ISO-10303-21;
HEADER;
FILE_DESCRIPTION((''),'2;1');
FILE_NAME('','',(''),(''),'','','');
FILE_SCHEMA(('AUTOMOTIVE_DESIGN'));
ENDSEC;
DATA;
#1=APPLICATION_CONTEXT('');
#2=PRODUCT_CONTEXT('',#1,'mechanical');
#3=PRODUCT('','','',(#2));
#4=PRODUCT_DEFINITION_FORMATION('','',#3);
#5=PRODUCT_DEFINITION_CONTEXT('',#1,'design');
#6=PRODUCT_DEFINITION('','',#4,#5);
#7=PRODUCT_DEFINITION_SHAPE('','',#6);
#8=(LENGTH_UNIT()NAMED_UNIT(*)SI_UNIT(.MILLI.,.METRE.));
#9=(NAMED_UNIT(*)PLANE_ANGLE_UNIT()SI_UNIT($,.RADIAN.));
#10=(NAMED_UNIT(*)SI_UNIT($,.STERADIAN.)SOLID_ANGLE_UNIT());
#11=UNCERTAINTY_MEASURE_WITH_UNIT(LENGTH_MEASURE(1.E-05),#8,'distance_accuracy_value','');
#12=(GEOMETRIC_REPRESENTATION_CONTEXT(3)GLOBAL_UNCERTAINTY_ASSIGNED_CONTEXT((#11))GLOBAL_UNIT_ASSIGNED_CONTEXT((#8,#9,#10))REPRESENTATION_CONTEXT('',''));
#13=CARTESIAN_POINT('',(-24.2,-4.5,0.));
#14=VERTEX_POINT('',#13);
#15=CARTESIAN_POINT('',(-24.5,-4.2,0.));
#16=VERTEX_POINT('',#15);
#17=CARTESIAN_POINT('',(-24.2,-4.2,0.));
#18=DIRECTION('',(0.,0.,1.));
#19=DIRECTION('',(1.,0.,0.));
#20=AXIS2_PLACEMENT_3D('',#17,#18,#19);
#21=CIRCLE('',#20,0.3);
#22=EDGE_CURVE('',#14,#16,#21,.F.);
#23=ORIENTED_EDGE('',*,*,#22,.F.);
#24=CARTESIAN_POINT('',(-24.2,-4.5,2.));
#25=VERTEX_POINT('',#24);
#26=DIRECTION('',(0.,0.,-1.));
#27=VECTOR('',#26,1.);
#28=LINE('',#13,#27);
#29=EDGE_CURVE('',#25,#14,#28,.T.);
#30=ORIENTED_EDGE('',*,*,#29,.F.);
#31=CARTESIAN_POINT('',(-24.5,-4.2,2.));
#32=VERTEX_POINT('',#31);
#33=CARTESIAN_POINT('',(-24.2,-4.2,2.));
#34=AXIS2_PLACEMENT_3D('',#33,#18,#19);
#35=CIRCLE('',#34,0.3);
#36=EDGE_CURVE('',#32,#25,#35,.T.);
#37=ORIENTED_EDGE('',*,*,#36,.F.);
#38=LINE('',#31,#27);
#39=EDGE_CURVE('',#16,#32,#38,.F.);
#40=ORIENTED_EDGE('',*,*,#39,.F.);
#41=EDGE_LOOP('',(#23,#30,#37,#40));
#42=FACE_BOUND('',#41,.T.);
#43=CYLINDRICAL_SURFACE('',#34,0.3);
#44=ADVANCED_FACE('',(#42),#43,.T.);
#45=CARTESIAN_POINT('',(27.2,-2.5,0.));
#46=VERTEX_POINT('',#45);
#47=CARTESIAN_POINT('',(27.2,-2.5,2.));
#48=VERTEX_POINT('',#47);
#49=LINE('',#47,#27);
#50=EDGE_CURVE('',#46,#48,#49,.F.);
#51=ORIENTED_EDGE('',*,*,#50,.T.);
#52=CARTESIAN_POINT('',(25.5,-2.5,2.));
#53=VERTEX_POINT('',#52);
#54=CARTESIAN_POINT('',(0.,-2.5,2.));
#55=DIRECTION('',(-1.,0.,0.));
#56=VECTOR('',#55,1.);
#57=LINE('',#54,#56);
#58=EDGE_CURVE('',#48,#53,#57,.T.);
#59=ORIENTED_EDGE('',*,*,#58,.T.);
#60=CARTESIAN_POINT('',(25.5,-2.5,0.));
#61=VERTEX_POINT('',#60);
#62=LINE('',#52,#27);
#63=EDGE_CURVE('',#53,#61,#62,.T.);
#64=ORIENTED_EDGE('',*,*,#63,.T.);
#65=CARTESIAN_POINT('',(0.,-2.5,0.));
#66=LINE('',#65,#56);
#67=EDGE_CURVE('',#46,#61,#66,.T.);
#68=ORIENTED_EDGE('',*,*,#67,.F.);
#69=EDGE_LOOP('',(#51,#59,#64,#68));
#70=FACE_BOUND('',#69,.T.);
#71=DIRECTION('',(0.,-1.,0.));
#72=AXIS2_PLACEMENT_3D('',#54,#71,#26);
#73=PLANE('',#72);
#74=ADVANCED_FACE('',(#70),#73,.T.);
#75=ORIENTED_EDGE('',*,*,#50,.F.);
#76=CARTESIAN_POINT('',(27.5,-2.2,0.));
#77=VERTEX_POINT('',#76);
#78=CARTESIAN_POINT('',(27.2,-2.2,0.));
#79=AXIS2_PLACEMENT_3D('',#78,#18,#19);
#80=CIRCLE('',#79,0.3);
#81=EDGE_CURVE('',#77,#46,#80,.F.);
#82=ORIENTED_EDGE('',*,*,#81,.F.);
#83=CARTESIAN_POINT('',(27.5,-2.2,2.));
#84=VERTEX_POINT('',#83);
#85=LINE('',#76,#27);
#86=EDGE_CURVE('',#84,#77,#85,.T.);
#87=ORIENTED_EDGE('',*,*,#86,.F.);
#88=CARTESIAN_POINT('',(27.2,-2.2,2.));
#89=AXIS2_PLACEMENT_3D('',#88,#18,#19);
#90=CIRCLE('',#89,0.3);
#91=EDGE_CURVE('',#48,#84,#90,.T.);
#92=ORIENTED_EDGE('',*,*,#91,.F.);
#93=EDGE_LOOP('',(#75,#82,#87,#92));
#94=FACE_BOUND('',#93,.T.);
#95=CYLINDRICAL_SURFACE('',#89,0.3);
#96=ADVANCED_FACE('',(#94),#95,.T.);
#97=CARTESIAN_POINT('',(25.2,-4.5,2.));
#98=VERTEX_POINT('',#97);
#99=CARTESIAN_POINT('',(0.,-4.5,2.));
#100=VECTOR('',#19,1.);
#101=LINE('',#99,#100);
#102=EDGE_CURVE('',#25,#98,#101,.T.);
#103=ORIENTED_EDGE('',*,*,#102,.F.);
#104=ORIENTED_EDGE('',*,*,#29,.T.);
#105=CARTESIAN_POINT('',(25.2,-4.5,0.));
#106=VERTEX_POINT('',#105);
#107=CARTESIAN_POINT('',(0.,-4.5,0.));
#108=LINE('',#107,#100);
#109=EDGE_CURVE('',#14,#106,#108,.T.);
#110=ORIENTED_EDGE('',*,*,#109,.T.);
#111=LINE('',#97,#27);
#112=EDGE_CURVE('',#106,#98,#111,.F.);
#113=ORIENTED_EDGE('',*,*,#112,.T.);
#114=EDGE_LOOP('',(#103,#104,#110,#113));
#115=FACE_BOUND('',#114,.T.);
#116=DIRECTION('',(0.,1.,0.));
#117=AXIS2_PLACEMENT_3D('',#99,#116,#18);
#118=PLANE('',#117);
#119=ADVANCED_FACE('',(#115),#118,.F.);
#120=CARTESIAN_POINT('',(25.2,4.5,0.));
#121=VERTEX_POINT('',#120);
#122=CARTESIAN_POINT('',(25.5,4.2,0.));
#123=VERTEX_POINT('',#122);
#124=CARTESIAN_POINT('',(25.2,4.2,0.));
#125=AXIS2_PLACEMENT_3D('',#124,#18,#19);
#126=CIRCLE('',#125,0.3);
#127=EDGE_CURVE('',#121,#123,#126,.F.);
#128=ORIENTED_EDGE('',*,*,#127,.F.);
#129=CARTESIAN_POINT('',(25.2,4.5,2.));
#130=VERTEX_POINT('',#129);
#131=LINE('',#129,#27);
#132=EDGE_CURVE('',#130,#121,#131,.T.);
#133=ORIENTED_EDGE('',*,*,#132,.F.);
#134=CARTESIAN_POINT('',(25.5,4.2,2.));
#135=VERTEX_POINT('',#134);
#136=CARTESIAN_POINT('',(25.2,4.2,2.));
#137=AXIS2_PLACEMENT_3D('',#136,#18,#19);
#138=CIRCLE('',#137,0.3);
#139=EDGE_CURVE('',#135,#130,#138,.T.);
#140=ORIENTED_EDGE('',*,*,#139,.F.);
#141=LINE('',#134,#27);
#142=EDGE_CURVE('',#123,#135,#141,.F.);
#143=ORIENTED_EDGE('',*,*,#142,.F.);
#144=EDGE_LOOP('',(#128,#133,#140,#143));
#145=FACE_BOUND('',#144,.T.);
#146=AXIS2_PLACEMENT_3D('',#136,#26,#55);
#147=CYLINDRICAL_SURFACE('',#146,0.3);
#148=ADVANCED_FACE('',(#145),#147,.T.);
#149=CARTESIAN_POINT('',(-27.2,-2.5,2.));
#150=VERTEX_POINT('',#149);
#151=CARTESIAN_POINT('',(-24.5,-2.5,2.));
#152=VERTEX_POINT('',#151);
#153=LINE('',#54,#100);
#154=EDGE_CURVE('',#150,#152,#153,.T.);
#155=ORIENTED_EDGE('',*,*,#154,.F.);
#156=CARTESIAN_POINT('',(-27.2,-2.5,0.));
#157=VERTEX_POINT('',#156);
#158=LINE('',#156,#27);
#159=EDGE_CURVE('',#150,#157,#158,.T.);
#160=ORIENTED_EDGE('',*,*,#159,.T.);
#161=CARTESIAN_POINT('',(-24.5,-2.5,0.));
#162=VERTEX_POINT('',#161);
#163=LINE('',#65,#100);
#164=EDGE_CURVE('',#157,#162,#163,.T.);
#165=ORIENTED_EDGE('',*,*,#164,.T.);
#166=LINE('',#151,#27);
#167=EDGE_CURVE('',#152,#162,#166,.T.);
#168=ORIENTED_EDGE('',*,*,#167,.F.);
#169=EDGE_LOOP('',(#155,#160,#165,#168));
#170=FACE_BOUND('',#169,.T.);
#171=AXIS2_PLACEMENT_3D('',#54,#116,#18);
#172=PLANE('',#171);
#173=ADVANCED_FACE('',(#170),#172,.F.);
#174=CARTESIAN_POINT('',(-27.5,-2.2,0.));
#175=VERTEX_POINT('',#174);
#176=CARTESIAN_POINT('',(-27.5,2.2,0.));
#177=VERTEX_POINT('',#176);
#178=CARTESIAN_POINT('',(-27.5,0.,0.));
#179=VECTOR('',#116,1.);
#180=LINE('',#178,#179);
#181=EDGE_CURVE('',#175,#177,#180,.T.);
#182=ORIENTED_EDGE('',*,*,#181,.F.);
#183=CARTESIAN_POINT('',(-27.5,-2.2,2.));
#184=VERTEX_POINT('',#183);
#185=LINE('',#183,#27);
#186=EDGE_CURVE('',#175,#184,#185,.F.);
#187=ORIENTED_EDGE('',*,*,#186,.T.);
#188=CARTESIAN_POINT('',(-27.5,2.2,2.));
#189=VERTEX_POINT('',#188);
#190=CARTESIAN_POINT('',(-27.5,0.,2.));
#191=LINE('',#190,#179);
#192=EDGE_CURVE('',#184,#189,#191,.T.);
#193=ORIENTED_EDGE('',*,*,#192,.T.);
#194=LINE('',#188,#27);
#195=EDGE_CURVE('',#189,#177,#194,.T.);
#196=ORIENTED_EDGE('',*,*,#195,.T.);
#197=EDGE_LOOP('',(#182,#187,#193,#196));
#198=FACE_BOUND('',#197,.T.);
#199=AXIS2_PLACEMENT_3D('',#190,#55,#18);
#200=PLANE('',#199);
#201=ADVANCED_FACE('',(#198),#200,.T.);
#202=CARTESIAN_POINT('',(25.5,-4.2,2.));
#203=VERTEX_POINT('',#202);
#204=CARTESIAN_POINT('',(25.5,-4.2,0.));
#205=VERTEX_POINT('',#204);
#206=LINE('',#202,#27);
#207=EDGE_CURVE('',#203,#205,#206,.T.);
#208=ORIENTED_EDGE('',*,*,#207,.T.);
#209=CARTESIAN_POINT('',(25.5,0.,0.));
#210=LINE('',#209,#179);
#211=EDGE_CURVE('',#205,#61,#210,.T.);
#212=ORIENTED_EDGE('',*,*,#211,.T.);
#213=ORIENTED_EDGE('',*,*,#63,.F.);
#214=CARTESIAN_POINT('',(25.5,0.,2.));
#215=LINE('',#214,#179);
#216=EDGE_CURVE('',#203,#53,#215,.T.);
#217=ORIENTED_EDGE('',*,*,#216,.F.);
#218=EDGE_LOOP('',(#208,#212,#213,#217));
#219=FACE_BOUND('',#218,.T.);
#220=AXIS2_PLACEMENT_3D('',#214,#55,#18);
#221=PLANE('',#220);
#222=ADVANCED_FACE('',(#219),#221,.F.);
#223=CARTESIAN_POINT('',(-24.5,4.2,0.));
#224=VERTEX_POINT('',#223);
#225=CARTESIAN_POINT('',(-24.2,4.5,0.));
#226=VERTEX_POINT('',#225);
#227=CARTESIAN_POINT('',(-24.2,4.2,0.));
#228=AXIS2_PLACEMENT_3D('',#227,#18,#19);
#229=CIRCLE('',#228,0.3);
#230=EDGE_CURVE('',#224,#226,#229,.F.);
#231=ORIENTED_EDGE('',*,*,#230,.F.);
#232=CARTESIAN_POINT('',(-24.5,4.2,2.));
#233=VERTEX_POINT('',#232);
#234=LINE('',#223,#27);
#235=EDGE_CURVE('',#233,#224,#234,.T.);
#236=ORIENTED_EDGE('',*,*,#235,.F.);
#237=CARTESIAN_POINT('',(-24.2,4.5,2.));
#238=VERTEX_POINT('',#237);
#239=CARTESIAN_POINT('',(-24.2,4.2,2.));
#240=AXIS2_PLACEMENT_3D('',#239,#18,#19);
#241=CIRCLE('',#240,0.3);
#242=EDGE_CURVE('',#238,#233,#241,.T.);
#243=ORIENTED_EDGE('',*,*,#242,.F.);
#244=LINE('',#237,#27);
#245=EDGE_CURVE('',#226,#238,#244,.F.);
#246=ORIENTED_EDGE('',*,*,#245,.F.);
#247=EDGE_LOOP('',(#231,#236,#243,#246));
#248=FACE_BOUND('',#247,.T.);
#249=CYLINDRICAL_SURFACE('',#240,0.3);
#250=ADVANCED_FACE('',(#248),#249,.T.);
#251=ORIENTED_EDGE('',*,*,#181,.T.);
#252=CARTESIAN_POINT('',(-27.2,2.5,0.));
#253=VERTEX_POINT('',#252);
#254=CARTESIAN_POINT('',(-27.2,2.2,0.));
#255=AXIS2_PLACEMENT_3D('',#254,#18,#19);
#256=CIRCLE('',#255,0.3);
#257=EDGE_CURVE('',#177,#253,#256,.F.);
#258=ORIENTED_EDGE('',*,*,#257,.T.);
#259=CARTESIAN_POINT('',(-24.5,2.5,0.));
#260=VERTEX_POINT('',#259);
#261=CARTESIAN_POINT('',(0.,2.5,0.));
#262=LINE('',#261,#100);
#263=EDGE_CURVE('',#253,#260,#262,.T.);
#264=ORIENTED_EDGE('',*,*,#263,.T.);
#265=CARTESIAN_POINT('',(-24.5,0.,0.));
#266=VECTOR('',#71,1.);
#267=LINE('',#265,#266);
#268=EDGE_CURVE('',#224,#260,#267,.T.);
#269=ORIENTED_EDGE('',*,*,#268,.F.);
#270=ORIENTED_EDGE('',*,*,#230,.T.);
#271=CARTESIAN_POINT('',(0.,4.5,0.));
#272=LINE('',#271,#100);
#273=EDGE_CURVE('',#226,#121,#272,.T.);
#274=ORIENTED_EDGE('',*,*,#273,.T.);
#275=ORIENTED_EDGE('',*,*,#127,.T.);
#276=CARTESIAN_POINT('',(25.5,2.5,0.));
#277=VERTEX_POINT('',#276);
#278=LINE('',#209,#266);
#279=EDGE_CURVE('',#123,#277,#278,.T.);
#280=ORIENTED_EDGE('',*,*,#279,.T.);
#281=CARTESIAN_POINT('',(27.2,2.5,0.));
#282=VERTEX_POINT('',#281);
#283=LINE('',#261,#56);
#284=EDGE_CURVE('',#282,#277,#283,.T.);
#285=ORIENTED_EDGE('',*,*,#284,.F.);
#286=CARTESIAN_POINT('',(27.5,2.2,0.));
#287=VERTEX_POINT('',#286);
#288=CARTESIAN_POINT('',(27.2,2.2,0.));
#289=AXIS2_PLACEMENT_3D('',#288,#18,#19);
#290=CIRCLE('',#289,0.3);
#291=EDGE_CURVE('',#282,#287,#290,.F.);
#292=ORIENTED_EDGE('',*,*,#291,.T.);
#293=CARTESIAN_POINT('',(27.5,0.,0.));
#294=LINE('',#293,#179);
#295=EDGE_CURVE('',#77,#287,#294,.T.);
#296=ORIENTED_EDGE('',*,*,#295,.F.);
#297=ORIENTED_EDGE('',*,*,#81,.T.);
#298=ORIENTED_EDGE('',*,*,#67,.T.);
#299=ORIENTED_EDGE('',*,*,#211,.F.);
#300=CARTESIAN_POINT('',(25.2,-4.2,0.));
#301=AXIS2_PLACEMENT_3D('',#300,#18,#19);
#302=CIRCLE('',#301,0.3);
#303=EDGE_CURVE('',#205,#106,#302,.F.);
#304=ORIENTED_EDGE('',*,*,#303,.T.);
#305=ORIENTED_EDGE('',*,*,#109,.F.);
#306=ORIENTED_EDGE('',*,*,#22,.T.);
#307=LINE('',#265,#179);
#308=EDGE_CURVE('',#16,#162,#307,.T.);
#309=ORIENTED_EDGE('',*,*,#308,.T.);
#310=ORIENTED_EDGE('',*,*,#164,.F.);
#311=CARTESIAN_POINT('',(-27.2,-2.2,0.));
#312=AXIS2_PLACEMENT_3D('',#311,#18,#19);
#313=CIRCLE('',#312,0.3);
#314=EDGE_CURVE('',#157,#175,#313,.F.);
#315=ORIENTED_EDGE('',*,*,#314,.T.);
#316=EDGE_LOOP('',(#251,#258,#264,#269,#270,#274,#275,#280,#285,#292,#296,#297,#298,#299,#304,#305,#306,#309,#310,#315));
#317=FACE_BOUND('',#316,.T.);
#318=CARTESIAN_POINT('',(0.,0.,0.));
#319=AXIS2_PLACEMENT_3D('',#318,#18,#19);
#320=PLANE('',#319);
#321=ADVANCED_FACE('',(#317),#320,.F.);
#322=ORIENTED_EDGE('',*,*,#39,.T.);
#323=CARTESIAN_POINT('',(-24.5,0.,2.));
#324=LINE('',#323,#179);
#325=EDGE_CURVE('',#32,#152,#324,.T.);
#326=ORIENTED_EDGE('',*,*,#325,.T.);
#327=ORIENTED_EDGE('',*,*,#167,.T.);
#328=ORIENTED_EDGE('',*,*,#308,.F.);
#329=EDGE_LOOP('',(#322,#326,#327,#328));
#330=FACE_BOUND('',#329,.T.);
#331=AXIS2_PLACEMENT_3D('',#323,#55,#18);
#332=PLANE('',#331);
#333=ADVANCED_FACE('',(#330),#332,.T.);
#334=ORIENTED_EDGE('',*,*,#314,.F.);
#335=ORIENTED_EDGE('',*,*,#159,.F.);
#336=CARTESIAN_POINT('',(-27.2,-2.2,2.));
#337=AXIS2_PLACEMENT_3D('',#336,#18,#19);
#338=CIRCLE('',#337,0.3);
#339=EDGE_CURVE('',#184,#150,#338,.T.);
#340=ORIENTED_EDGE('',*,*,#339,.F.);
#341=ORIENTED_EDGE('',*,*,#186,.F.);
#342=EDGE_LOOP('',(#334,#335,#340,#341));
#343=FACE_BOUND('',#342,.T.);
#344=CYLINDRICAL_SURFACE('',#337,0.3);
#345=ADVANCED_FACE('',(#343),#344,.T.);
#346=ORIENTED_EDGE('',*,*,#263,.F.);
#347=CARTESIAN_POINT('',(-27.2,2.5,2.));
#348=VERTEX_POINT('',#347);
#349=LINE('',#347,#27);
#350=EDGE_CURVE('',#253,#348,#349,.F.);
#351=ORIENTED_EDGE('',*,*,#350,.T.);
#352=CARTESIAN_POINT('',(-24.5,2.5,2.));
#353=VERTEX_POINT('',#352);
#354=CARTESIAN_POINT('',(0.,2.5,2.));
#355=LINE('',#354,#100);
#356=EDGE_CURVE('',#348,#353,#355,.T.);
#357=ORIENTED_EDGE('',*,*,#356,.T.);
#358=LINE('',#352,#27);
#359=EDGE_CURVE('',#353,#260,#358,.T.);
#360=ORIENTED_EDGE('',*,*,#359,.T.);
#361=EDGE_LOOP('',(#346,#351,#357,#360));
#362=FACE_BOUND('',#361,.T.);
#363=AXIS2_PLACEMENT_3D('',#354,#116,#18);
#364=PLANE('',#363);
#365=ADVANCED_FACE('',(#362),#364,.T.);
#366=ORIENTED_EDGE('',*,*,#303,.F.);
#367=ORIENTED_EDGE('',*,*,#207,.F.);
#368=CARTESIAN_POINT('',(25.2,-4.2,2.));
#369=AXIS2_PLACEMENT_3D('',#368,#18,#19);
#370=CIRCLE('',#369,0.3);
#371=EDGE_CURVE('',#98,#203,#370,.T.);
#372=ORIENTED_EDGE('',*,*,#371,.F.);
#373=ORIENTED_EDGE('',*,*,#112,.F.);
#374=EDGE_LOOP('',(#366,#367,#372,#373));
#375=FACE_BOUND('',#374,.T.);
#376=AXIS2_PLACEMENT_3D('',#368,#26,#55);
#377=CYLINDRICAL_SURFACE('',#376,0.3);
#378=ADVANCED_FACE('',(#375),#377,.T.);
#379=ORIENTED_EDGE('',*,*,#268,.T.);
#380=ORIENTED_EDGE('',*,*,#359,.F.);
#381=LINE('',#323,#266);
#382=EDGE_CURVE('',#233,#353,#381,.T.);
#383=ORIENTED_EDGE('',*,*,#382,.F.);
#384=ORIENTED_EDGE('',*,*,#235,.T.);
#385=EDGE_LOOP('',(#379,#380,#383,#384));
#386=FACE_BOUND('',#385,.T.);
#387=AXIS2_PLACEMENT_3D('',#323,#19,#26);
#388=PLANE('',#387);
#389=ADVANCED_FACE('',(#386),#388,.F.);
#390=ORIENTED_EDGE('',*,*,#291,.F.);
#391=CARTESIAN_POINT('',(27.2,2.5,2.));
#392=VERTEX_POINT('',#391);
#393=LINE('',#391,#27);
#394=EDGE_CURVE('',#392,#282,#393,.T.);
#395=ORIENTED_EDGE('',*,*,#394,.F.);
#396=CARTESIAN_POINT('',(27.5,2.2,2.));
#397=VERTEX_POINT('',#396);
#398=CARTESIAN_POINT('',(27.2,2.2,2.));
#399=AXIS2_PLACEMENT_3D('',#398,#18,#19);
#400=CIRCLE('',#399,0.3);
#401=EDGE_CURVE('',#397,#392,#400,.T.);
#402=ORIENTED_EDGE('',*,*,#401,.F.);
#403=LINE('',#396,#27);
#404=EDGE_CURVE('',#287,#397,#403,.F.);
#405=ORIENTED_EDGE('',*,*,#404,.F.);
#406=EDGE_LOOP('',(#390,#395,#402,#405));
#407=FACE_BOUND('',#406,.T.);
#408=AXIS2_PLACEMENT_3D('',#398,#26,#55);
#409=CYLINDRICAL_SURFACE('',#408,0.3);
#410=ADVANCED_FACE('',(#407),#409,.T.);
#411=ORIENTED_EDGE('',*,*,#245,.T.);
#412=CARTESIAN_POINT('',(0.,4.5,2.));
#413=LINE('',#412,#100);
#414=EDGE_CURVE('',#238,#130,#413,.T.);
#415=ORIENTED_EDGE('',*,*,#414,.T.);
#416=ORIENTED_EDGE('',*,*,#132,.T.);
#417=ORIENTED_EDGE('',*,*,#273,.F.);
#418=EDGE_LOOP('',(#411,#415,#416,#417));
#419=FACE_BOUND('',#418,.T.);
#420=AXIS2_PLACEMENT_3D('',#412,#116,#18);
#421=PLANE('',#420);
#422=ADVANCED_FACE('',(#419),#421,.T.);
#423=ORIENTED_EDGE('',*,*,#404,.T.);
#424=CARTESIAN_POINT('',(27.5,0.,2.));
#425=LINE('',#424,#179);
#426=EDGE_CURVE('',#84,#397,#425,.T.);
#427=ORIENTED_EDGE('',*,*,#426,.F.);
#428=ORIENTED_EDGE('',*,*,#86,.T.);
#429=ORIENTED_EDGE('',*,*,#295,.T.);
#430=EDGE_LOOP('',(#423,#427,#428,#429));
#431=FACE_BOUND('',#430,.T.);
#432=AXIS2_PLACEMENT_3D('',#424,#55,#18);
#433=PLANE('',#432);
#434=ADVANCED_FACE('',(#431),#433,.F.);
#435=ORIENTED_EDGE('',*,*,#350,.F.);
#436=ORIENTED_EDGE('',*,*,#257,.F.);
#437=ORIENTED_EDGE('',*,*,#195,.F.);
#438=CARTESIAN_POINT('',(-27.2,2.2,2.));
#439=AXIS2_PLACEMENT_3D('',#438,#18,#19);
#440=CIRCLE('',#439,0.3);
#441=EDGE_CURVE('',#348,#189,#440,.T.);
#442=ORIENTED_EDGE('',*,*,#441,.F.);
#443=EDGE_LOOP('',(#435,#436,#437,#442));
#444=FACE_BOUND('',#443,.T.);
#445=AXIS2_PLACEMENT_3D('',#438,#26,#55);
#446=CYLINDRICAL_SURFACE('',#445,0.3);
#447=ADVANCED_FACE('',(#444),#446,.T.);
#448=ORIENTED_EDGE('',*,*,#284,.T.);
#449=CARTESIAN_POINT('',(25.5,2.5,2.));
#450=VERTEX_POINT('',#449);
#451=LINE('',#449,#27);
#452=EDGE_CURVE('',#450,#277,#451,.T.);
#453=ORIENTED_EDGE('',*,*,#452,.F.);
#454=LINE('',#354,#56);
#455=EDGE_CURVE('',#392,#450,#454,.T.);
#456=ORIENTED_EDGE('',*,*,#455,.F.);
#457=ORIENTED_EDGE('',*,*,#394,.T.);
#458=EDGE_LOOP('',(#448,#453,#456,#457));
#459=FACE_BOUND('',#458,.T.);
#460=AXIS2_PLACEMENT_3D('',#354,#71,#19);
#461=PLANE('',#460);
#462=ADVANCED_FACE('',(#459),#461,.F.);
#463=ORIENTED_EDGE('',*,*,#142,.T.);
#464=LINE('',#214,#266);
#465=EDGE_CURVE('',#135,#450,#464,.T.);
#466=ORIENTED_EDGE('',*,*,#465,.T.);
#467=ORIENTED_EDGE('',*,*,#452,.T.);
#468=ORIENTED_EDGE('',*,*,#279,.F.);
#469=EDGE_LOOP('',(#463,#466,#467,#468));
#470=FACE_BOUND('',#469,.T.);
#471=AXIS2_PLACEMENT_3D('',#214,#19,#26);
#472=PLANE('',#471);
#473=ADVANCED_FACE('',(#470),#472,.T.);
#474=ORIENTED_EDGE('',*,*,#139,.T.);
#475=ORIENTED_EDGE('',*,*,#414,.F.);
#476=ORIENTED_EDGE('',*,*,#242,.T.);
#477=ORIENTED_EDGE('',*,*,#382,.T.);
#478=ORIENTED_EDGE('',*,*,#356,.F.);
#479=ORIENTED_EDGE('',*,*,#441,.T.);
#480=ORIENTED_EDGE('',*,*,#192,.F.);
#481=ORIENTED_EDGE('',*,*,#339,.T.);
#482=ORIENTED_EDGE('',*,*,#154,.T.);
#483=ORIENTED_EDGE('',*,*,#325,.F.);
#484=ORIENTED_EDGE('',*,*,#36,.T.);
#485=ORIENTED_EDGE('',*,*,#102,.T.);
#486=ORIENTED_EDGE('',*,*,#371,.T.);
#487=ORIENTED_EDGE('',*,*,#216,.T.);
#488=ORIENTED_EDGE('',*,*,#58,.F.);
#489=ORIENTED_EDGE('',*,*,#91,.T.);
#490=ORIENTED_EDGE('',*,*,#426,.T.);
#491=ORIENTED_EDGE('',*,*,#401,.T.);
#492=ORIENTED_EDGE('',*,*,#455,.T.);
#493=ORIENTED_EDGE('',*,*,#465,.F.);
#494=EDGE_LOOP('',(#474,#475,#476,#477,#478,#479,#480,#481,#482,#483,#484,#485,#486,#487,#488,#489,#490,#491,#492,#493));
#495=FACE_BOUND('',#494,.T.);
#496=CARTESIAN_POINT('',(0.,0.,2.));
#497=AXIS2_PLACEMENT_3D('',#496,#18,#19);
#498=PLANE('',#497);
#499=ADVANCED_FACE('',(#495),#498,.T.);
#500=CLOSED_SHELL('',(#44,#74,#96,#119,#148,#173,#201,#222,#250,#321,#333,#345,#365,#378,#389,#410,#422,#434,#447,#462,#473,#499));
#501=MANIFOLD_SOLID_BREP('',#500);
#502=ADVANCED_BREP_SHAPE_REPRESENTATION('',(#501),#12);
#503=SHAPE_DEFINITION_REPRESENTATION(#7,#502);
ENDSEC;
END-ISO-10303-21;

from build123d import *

# Parameters (mm, degrees)
BOSS_EXTRUDE1_DEPTH = 2
FILLET5_R           = 0.3
FILLET7_R           = 0.3
FILLET8_R           = 0.3
FILLET9_R           = 0.3
FILLET10_R          = 0.3
FILLET11_R          = 0.3


with BuildPart() as part:
    # Sketch1 → Boss-Extrude1 (new body)
    with BuildSketch(Plane.XY):
        Polygon((-24.5, -2.5), (-24.5, -4.5), (25.5, -4.5), (25.5, -2.5), (27.5, -2.5), (27.5, 2.5), (25.5, 2.5), (25.5, 4.5), (-24.5, 4.5), (-24.5, 2.5), (-27.5, 2.5), (-27.5, -2.5), align=None)
    extrude(amount=BOSS_EXTRUDE1_DEPTH)

    # Fillet5
    fillet5_edges = [part.edges().sort_by_distance(p)[0] for p in [
        (-27.5, -2.5, 1),
    ]]
    fillet(fillet5_edges, radius=FILLET5_R)

    # Fillet7
    fillet7_edges = [part.edges().sort_by_distance(p)[0] for p in [
        (-24.5, -4.5, 1),
    ]]
    fillet(fillet7_edges, radius=FILLET7_R)

    # Fillet8
    fillet8_edges = [part.edges().sort_by_distance(p)[0] for p in [
        (-24.5, 4.5, 1),
    ]]
    fillet(fillet8_edges, radius=FILLET8_R)

    # Fillet9
    fillet9_edges = [part.edges().sort_by_distance(p)[0] for p in [
        (25.5, -4.5, 1),
    ]]
    fillet(fillet9_edges, radius=FILLET9_R)

    # Fillet10
    fillet10_edges = [part.edges().sort_by_distance(p)[0] for p in [
        (25.5, 4.5, 1),
        (27.5, 2.5, 1),
        (27.5, -2.5, 1),
    ]]
    fillet(fillet10_edges, radius=FILLET10_R)

    # Fillet11
    fillet11_edges = [part.edges().sort_by_distance(p)[0] for p in [
        (-27.5, 2.5, 1),
    ]]
    fillet(fillet11_edges, radius=FILLET11_R)


solid = part.part
